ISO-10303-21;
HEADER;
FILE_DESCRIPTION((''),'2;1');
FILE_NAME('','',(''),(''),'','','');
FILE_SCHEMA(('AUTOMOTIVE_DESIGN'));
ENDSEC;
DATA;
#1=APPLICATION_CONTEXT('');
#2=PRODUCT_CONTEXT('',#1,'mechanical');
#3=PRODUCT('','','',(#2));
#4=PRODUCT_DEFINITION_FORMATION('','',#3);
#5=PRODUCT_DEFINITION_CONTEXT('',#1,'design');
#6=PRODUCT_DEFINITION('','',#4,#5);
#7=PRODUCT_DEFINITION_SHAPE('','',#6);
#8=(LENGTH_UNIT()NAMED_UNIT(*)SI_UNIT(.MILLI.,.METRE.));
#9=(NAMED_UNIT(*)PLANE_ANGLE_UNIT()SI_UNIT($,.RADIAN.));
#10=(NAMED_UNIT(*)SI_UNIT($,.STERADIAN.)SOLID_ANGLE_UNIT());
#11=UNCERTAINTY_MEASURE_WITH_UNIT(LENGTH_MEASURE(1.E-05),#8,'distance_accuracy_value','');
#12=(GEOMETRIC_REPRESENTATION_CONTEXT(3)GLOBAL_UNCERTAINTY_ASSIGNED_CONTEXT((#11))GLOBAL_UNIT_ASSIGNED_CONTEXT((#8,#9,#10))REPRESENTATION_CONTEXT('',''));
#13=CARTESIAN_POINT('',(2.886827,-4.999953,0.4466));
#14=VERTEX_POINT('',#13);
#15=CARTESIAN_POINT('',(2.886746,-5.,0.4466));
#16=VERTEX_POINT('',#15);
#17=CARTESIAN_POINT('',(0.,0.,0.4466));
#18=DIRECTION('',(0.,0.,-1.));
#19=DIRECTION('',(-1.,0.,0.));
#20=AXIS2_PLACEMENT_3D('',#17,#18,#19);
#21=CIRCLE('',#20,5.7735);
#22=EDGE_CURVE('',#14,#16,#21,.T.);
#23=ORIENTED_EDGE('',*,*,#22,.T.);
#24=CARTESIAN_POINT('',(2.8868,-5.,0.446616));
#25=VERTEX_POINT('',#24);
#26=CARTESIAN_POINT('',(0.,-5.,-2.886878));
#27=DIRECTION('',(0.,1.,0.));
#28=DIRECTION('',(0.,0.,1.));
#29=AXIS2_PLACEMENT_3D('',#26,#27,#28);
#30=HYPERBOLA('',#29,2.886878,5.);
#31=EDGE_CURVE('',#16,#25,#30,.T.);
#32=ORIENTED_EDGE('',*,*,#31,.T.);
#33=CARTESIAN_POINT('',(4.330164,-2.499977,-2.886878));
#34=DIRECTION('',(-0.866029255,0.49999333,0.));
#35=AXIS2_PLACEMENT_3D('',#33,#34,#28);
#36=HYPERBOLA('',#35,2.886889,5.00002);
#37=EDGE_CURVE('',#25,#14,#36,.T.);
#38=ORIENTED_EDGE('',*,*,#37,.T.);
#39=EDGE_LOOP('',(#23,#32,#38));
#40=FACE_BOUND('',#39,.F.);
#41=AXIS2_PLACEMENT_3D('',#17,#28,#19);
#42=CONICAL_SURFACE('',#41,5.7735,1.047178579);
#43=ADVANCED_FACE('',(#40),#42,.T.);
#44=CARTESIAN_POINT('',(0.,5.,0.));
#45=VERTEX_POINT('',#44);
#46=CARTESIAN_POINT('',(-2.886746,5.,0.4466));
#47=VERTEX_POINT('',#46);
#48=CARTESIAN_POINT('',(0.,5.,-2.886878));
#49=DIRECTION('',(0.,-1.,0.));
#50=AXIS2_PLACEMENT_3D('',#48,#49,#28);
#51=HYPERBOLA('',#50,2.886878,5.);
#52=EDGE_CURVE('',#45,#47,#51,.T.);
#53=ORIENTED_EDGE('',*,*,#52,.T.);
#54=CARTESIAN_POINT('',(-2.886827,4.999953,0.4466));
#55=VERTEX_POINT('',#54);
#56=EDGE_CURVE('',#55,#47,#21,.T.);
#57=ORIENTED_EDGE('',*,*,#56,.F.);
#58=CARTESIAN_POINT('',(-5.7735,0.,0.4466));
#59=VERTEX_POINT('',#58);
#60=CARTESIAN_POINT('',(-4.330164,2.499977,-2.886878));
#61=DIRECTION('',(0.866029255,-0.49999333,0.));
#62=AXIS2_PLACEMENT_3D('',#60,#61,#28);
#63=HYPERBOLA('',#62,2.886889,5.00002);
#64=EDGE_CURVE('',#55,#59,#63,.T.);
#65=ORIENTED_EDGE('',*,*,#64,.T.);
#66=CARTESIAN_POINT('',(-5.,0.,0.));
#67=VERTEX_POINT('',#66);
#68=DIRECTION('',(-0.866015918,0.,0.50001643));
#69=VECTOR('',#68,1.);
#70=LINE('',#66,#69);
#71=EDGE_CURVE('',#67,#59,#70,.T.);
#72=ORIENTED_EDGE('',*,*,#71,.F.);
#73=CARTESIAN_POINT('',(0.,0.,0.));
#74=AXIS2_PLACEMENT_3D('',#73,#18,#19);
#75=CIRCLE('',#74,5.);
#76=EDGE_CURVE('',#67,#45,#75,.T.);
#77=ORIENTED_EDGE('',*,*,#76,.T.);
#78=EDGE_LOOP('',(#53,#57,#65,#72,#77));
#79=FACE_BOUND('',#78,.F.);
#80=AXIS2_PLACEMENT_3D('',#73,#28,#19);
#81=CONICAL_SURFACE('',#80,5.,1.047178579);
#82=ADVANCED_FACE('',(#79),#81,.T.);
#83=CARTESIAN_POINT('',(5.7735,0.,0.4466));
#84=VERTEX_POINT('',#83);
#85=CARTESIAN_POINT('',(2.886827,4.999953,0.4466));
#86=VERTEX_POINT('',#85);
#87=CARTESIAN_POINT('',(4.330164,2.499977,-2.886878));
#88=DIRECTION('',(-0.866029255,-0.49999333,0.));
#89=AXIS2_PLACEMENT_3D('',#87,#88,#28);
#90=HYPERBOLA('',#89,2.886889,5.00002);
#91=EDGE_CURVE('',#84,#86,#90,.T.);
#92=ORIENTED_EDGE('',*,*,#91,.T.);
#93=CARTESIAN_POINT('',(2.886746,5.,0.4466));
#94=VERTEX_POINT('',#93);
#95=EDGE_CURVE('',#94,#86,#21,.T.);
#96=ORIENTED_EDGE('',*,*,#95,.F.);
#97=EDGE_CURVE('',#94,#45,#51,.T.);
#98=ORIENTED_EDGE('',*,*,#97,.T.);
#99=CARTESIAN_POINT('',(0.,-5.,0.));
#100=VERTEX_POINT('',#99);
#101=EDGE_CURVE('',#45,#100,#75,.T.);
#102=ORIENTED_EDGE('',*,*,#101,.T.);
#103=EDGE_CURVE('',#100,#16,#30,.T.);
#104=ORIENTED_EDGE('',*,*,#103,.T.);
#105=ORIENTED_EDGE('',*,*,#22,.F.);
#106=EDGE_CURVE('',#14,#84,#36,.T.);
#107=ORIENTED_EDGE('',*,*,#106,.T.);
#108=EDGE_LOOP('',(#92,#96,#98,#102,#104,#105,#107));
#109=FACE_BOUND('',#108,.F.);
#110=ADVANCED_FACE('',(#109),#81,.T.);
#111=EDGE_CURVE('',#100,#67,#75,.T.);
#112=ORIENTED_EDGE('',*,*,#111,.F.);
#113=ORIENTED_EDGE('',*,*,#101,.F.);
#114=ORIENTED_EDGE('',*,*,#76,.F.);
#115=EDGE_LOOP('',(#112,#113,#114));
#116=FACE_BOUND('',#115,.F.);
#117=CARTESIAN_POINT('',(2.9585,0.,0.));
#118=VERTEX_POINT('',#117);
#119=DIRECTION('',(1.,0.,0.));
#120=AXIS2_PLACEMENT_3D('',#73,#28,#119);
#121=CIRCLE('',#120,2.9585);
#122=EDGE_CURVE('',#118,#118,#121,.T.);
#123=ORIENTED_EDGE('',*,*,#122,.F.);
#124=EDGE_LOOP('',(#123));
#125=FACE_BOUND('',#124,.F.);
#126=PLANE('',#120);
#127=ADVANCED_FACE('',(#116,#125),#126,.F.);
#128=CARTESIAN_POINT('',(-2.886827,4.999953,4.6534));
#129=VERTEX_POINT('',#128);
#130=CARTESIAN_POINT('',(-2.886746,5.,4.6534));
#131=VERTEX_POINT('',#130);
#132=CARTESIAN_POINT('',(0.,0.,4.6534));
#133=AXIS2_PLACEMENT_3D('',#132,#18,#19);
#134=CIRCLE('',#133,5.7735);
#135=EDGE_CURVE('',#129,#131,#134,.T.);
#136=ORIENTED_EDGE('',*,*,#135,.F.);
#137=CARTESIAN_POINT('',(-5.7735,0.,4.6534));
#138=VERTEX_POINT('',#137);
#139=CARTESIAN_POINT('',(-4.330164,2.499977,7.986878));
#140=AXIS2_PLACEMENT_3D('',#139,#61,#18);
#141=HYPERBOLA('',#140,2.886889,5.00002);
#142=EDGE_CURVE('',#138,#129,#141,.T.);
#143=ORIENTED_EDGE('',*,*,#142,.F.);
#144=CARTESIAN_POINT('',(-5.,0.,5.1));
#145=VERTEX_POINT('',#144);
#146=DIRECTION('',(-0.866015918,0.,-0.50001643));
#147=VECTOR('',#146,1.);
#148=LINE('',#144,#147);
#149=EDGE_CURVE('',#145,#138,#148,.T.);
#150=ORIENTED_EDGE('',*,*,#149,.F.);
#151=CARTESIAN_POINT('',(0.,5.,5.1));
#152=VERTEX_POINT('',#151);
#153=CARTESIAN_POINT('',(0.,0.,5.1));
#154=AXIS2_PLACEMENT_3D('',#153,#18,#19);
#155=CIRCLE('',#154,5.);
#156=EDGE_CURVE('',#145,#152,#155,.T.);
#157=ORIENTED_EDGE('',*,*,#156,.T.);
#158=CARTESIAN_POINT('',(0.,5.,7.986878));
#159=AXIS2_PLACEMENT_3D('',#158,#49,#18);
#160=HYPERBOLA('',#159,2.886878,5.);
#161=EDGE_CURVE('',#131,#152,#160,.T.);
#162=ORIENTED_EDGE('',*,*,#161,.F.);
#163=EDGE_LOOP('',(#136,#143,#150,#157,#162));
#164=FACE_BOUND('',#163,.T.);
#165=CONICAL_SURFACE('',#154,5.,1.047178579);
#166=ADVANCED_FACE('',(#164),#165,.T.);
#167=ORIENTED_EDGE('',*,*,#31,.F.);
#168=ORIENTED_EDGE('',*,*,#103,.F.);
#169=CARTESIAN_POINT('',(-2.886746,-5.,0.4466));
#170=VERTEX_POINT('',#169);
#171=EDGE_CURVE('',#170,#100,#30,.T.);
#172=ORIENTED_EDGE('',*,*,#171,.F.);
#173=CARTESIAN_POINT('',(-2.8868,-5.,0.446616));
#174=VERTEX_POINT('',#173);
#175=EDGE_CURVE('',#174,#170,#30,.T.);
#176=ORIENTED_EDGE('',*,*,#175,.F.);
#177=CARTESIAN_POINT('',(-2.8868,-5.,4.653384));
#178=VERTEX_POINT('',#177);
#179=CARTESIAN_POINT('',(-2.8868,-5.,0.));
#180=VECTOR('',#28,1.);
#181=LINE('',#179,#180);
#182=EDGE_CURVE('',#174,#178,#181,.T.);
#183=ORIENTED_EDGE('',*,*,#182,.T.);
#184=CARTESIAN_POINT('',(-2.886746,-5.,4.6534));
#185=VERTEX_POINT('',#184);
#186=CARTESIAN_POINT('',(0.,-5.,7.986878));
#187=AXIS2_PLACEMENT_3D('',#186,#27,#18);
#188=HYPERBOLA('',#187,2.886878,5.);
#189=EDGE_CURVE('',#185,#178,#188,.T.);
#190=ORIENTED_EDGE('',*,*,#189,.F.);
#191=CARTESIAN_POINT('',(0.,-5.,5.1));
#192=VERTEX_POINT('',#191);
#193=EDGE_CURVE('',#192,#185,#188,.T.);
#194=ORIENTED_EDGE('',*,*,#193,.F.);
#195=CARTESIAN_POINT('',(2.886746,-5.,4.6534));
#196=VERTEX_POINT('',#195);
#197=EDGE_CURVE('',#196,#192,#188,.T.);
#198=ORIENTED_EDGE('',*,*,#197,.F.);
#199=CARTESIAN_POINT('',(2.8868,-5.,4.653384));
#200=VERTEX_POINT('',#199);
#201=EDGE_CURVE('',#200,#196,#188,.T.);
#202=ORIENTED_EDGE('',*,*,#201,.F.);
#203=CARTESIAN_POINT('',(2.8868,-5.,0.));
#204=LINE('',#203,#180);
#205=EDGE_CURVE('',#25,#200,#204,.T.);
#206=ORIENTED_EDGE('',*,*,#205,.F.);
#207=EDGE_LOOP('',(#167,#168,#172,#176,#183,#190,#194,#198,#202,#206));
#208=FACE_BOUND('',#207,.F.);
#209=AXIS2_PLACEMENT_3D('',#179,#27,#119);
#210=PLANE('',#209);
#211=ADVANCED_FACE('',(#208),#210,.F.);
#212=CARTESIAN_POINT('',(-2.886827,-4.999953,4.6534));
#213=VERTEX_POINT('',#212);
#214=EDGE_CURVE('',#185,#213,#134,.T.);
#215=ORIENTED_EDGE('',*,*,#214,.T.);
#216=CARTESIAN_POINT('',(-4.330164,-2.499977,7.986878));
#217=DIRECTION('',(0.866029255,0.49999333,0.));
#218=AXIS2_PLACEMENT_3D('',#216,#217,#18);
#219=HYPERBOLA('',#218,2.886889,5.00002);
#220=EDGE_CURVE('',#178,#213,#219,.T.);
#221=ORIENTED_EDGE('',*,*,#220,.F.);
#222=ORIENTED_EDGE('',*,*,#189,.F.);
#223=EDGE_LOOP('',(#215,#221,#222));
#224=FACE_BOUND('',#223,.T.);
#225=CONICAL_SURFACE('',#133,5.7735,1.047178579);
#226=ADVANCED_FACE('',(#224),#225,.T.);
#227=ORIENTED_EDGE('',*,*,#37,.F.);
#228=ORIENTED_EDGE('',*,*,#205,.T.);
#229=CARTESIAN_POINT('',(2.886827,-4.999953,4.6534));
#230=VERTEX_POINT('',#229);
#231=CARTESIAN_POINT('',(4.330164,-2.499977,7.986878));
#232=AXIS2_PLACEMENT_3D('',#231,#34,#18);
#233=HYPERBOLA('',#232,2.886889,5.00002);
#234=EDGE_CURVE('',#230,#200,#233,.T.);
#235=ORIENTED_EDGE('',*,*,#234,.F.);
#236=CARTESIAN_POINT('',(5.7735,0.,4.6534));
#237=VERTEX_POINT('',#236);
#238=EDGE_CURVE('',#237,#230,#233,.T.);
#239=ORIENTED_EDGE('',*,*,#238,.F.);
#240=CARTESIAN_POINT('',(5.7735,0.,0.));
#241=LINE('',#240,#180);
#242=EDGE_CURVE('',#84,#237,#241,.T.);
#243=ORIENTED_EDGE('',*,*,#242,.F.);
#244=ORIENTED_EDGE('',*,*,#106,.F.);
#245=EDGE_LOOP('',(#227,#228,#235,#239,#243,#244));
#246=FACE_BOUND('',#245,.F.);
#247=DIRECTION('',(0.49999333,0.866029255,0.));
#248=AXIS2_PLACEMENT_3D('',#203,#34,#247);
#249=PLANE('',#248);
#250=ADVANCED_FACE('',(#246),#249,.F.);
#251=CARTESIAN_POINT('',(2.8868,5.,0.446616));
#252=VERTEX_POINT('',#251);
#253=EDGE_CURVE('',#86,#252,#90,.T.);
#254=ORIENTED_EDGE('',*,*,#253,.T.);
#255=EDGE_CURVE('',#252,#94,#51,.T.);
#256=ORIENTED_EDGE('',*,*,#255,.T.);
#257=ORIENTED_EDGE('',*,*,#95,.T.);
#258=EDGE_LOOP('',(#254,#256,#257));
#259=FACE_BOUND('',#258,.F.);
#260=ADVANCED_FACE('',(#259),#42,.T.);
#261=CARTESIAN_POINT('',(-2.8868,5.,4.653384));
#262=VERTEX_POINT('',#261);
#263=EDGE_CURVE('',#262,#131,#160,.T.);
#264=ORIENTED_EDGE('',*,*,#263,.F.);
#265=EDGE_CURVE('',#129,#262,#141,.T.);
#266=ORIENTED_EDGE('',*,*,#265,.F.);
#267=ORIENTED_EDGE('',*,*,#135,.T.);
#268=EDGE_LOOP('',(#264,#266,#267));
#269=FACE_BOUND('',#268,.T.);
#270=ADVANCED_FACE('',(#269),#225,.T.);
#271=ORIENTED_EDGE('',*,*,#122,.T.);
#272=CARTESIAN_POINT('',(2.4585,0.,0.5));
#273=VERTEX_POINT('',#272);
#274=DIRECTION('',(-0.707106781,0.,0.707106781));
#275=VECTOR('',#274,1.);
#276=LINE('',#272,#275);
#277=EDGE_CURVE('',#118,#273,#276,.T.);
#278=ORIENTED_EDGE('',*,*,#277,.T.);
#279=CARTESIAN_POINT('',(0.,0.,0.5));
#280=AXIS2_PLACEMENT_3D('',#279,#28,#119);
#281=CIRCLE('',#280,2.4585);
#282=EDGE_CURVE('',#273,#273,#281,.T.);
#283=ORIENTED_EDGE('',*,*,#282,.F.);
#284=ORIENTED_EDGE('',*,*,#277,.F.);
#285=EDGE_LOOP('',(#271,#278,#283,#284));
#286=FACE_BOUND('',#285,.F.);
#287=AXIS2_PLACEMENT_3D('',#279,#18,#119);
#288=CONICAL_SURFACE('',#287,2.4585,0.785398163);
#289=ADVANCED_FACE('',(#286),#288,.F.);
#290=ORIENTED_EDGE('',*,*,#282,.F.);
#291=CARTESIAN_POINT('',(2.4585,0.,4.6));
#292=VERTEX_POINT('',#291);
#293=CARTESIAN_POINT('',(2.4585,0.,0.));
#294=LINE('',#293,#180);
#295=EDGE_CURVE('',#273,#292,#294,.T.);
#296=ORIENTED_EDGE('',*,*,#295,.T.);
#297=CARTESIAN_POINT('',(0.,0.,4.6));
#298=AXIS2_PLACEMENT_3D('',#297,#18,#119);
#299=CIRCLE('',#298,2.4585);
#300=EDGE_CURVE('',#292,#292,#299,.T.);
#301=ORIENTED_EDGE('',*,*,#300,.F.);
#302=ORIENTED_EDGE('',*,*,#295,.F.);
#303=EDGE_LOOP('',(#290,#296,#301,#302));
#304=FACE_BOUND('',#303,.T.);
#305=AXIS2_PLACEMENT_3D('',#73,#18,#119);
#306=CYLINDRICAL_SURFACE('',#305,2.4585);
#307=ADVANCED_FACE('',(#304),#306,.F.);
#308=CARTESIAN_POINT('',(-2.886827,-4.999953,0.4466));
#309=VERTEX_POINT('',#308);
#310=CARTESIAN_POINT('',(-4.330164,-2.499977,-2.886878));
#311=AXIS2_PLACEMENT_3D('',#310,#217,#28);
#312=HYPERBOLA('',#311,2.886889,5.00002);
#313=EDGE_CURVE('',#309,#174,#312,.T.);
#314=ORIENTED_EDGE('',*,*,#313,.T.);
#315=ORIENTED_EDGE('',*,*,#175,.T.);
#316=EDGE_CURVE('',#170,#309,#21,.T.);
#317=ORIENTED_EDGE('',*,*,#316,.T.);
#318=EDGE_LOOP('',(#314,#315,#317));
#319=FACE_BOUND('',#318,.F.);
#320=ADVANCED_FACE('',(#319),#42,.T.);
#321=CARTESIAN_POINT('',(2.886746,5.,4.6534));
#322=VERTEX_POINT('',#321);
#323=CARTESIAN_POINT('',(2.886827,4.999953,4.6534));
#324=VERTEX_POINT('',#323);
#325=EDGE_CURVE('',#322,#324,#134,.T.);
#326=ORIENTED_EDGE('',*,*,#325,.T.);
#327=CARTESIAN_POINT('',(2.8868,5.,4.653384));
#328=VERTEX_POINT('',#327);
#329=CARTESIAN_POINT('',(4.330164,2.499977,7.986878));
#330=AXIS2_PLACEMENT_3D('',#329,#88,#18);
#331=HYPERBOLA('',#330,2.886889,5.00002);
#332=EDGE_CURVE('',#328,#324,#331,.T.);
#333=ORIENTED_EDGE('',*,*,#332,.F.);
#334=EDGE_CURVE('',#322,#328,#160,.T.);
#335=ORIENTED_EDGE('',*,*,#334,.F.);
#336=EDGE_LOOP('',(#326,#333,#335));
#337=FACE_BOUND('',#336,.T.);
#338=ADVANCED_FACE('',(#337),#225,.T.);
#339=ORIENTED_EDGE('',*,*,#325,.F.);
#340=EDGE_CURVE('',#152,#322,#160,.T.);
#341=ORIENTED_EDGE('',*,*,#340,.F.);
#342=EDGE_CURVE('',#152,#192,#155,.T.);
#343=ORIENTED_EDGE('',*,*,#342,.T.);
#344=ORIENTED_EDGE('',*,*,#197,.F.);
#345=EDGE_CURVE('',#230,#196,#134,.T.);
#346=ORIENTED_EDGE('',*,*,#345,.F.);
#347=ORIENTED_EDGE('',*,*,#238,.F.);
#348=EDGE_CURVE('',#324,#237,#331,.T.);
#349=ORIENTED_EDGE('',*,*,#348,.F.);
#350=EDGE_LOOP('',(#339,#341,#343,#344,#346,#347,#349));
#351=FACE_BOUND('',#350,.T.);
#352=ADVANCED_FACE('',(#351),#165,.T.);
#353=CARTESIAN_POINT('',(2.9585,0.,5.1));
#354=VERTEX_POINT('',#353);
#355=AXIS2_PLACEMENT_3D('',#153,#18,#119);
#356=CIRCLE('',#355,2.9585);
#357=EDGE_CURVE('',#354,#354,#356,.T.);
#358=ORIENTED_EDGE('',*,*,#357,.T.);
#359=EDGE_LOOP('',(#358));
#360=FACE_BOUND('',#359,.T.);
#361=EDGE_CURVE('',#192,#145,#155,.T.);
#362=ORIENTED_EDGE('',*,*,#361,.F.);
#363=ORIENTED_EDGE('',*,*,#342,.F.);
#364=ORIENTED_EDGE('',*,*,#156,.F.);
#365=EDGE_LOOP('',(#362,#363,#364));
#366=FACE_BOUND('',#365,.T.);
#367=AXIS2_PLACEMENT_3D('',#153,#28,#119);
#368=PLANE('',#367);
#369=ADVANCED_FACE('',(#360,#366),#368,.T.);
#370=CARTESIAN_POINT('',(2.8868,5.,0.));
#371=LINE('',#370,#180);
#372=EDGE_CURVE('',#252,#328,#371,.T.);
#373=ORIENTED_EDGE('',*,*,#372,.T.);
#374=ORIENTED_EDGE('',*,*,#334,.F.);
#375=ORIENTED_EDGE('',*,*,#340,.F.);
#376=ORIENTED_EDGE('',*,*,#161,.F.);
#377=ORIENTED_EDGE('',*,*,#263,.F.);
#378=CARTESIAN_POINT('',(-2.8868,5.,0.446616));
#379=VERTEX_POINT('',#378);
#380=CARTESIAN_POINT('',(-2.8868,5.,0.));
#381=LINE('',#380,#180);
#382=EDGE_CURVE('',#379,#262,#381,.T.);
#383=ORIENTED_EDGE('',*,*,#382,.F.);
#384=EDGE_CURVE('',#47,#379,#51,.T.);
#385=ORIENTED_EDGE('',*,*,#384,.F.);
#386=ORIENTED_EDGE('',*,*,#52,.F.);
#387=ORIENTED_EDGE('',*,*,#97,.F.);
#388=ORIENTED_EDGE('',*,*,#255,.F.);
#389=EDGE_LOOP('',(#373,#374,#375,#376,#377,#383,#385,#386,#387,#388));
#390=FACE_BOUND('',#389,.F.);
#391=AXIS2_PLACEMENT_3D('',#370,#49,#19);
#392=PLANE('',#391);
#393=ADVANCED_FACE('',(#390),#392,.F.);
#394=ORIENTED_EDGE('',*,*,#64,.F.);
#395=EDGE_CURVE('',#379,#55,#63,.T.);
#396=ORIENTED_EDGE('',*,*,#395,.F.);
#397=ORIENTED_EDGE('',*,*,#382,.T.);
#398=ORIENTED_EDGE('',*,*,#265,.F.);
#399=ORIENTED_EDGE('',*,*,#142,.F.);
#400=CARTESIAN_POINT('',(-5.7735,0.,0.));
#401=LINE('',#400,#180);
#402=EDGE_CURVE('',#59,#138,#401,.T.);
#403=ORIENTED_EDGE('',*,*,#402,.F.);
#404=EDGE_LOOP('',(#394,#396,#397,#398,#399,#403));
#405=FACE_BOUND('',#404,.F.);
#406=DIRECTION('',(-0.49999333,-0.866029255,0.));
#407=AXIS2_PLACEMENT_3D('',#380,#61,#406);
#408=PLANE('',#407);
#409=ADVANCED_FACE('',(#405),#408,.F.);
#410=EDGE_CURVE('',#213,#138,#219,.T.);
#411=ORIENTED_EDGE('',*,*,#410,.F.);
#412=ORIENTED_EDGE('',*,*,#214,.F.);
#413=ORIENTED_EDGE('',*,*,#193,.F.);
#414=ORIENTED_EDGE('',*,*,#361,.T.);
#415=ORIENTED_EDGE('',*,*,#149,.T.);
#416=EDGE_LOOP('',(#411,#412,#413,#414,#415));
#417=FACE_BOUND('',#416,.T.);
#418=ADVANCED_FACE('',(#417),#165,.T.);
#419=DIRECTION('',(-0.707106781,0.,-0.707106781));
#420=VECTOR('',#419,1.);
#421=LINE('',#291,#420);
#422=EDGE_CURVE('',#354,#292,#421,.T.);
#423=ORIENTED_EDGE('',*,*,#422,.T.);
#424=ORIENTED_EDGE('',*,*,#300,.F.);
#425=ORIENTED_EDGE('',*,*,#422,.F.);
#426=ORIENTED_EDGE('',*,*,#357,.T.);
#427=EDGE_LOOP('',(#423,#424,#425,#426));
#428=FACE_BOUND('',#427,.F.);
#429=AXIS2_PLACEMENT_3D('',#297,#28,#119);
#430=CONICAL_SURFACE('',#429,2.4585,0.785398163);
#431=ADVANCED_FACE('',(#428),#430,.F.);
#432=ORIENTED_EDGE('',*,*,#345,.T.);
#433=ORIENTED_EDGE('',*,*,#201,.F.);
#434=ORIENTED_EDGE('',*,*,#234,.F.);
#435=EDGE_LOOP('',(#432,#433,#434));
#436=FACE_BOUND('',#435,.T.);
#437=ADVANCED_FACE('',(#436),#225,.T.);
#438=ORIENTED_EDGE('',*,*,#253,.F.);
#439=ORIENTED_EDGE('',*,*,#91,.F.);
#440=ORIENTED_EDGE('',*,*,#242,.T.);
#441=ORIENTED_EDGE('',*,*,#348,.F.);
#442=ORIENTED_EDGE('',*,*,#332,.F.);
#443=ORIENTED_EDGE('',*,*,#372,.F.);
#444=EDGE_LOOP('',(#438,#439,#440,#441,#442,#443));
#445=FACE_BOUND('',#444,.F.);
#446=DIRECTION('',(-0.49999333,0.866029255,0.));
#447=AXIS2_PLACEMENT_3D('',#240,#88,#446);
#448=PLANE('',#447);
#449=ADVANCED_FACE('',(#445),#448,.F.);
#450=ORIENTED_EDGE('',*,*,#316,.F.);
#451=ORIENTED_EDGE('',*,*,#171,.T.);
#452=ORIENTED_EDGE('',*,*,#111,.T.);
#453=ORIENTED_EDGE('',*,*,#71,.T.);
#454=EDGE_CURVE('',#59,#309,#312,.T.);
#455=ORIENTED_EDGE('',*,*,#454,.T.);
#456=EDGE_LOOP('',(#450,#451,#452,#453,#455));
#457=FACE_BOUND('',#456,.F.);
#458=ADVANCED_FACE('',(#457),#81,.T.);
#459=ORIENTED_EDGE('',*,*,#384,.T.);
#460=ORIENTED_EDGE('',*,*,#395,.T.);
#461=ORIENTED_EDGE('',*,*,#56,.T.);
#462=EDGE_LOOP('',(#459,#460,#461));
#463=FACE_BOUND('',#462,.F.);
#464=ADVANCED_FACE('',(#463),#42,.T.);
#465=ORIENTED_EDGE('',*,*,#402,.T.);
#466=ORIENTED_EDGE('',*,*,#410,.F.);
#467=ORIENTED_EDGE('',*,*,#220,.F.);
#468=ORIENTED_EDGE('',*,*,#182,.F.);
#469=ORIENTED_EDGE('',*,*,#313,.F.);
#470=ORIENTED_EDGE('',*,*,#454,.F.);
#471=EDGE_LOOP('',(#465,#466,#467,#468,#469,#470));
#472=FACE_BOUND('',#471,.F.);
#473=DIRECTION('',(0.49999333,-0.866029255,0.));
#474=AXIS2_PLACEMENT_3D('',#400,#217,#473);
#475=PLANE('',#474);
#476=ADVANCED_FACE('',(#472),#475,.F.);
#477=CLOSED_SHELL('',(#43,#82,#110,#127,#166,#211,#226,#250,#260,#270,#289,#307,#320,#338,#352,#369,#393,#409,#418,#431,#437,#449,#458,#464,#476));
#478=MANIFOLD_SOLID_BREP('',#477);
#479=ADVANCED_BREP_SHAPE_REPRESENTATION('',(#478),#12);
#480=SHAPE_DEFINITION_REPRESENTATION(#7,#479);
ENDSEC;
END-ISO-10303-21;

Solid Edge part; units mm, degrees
sketch "Sketch1" plane through (0, 0, 0) normal (0, 0, 1) x (1, 0, 0)
  line L0 (-2.8868, -5) -> (2.8868, -5)
  line L1 (2.8868, -5) -> (5.7735, 0)
  line L2 (5.7735, 0) -> (2.8868, 5)
  line L3 (2.8868, 5) -> (-2.8868, 5)
  line L4 (-2.8868, 5) -> (-5.7735, 0)
  line L5 (-5.7735, 0) -> (-2.8868, -5)
  dimension "D1" = 10
  dimension "D2" = 10
extrude "Protrusion1" add sketch "Sketch1" along normal blind 5.1
sketch "Sketch2" plane through (0, 0, 0) normal (0, -1, 0) x (1, 0, 0)
  line L0 (-5, 5.1) -> (-5.7735, 4.6534)
revolve "RevolvedCutout1" cut sketch "Sketch2" angle 360 about axis through (0, 0, 57.15) along (0, 0, -1) material side at (-5.4118, 0, 4.92)
sketch "Sketch3" plane through (0, 0, 0) normal (0, -1, 0) x (1, 0, 0)
  line L0 (-5, 0) -> (-5.7735, 0.4466)
revolve "RevolvedCutout2" cut sketch "Sketch3" angle 360 about axis through (0, 0, 57.15) along (0, 0, -1) material side at (-5.4118, 0, 0.18)
sketch "Sketch4" plane through (0, 0, 0) normal (0, 0, 1) x (1, 0, 0)
  circle A0 centre (0, 0) radius 2.4585
extrude "Cutout1" cut sketch "Sketch4" along normal through all and the other way through all
chamfer "Chamfer1" distance 0.5 angle 45 2 edges at (-2.4585, 0, 5.1) (-2.4585, 0, 0)
cosmetic_thread "Thread1"
properties material "Steel"
